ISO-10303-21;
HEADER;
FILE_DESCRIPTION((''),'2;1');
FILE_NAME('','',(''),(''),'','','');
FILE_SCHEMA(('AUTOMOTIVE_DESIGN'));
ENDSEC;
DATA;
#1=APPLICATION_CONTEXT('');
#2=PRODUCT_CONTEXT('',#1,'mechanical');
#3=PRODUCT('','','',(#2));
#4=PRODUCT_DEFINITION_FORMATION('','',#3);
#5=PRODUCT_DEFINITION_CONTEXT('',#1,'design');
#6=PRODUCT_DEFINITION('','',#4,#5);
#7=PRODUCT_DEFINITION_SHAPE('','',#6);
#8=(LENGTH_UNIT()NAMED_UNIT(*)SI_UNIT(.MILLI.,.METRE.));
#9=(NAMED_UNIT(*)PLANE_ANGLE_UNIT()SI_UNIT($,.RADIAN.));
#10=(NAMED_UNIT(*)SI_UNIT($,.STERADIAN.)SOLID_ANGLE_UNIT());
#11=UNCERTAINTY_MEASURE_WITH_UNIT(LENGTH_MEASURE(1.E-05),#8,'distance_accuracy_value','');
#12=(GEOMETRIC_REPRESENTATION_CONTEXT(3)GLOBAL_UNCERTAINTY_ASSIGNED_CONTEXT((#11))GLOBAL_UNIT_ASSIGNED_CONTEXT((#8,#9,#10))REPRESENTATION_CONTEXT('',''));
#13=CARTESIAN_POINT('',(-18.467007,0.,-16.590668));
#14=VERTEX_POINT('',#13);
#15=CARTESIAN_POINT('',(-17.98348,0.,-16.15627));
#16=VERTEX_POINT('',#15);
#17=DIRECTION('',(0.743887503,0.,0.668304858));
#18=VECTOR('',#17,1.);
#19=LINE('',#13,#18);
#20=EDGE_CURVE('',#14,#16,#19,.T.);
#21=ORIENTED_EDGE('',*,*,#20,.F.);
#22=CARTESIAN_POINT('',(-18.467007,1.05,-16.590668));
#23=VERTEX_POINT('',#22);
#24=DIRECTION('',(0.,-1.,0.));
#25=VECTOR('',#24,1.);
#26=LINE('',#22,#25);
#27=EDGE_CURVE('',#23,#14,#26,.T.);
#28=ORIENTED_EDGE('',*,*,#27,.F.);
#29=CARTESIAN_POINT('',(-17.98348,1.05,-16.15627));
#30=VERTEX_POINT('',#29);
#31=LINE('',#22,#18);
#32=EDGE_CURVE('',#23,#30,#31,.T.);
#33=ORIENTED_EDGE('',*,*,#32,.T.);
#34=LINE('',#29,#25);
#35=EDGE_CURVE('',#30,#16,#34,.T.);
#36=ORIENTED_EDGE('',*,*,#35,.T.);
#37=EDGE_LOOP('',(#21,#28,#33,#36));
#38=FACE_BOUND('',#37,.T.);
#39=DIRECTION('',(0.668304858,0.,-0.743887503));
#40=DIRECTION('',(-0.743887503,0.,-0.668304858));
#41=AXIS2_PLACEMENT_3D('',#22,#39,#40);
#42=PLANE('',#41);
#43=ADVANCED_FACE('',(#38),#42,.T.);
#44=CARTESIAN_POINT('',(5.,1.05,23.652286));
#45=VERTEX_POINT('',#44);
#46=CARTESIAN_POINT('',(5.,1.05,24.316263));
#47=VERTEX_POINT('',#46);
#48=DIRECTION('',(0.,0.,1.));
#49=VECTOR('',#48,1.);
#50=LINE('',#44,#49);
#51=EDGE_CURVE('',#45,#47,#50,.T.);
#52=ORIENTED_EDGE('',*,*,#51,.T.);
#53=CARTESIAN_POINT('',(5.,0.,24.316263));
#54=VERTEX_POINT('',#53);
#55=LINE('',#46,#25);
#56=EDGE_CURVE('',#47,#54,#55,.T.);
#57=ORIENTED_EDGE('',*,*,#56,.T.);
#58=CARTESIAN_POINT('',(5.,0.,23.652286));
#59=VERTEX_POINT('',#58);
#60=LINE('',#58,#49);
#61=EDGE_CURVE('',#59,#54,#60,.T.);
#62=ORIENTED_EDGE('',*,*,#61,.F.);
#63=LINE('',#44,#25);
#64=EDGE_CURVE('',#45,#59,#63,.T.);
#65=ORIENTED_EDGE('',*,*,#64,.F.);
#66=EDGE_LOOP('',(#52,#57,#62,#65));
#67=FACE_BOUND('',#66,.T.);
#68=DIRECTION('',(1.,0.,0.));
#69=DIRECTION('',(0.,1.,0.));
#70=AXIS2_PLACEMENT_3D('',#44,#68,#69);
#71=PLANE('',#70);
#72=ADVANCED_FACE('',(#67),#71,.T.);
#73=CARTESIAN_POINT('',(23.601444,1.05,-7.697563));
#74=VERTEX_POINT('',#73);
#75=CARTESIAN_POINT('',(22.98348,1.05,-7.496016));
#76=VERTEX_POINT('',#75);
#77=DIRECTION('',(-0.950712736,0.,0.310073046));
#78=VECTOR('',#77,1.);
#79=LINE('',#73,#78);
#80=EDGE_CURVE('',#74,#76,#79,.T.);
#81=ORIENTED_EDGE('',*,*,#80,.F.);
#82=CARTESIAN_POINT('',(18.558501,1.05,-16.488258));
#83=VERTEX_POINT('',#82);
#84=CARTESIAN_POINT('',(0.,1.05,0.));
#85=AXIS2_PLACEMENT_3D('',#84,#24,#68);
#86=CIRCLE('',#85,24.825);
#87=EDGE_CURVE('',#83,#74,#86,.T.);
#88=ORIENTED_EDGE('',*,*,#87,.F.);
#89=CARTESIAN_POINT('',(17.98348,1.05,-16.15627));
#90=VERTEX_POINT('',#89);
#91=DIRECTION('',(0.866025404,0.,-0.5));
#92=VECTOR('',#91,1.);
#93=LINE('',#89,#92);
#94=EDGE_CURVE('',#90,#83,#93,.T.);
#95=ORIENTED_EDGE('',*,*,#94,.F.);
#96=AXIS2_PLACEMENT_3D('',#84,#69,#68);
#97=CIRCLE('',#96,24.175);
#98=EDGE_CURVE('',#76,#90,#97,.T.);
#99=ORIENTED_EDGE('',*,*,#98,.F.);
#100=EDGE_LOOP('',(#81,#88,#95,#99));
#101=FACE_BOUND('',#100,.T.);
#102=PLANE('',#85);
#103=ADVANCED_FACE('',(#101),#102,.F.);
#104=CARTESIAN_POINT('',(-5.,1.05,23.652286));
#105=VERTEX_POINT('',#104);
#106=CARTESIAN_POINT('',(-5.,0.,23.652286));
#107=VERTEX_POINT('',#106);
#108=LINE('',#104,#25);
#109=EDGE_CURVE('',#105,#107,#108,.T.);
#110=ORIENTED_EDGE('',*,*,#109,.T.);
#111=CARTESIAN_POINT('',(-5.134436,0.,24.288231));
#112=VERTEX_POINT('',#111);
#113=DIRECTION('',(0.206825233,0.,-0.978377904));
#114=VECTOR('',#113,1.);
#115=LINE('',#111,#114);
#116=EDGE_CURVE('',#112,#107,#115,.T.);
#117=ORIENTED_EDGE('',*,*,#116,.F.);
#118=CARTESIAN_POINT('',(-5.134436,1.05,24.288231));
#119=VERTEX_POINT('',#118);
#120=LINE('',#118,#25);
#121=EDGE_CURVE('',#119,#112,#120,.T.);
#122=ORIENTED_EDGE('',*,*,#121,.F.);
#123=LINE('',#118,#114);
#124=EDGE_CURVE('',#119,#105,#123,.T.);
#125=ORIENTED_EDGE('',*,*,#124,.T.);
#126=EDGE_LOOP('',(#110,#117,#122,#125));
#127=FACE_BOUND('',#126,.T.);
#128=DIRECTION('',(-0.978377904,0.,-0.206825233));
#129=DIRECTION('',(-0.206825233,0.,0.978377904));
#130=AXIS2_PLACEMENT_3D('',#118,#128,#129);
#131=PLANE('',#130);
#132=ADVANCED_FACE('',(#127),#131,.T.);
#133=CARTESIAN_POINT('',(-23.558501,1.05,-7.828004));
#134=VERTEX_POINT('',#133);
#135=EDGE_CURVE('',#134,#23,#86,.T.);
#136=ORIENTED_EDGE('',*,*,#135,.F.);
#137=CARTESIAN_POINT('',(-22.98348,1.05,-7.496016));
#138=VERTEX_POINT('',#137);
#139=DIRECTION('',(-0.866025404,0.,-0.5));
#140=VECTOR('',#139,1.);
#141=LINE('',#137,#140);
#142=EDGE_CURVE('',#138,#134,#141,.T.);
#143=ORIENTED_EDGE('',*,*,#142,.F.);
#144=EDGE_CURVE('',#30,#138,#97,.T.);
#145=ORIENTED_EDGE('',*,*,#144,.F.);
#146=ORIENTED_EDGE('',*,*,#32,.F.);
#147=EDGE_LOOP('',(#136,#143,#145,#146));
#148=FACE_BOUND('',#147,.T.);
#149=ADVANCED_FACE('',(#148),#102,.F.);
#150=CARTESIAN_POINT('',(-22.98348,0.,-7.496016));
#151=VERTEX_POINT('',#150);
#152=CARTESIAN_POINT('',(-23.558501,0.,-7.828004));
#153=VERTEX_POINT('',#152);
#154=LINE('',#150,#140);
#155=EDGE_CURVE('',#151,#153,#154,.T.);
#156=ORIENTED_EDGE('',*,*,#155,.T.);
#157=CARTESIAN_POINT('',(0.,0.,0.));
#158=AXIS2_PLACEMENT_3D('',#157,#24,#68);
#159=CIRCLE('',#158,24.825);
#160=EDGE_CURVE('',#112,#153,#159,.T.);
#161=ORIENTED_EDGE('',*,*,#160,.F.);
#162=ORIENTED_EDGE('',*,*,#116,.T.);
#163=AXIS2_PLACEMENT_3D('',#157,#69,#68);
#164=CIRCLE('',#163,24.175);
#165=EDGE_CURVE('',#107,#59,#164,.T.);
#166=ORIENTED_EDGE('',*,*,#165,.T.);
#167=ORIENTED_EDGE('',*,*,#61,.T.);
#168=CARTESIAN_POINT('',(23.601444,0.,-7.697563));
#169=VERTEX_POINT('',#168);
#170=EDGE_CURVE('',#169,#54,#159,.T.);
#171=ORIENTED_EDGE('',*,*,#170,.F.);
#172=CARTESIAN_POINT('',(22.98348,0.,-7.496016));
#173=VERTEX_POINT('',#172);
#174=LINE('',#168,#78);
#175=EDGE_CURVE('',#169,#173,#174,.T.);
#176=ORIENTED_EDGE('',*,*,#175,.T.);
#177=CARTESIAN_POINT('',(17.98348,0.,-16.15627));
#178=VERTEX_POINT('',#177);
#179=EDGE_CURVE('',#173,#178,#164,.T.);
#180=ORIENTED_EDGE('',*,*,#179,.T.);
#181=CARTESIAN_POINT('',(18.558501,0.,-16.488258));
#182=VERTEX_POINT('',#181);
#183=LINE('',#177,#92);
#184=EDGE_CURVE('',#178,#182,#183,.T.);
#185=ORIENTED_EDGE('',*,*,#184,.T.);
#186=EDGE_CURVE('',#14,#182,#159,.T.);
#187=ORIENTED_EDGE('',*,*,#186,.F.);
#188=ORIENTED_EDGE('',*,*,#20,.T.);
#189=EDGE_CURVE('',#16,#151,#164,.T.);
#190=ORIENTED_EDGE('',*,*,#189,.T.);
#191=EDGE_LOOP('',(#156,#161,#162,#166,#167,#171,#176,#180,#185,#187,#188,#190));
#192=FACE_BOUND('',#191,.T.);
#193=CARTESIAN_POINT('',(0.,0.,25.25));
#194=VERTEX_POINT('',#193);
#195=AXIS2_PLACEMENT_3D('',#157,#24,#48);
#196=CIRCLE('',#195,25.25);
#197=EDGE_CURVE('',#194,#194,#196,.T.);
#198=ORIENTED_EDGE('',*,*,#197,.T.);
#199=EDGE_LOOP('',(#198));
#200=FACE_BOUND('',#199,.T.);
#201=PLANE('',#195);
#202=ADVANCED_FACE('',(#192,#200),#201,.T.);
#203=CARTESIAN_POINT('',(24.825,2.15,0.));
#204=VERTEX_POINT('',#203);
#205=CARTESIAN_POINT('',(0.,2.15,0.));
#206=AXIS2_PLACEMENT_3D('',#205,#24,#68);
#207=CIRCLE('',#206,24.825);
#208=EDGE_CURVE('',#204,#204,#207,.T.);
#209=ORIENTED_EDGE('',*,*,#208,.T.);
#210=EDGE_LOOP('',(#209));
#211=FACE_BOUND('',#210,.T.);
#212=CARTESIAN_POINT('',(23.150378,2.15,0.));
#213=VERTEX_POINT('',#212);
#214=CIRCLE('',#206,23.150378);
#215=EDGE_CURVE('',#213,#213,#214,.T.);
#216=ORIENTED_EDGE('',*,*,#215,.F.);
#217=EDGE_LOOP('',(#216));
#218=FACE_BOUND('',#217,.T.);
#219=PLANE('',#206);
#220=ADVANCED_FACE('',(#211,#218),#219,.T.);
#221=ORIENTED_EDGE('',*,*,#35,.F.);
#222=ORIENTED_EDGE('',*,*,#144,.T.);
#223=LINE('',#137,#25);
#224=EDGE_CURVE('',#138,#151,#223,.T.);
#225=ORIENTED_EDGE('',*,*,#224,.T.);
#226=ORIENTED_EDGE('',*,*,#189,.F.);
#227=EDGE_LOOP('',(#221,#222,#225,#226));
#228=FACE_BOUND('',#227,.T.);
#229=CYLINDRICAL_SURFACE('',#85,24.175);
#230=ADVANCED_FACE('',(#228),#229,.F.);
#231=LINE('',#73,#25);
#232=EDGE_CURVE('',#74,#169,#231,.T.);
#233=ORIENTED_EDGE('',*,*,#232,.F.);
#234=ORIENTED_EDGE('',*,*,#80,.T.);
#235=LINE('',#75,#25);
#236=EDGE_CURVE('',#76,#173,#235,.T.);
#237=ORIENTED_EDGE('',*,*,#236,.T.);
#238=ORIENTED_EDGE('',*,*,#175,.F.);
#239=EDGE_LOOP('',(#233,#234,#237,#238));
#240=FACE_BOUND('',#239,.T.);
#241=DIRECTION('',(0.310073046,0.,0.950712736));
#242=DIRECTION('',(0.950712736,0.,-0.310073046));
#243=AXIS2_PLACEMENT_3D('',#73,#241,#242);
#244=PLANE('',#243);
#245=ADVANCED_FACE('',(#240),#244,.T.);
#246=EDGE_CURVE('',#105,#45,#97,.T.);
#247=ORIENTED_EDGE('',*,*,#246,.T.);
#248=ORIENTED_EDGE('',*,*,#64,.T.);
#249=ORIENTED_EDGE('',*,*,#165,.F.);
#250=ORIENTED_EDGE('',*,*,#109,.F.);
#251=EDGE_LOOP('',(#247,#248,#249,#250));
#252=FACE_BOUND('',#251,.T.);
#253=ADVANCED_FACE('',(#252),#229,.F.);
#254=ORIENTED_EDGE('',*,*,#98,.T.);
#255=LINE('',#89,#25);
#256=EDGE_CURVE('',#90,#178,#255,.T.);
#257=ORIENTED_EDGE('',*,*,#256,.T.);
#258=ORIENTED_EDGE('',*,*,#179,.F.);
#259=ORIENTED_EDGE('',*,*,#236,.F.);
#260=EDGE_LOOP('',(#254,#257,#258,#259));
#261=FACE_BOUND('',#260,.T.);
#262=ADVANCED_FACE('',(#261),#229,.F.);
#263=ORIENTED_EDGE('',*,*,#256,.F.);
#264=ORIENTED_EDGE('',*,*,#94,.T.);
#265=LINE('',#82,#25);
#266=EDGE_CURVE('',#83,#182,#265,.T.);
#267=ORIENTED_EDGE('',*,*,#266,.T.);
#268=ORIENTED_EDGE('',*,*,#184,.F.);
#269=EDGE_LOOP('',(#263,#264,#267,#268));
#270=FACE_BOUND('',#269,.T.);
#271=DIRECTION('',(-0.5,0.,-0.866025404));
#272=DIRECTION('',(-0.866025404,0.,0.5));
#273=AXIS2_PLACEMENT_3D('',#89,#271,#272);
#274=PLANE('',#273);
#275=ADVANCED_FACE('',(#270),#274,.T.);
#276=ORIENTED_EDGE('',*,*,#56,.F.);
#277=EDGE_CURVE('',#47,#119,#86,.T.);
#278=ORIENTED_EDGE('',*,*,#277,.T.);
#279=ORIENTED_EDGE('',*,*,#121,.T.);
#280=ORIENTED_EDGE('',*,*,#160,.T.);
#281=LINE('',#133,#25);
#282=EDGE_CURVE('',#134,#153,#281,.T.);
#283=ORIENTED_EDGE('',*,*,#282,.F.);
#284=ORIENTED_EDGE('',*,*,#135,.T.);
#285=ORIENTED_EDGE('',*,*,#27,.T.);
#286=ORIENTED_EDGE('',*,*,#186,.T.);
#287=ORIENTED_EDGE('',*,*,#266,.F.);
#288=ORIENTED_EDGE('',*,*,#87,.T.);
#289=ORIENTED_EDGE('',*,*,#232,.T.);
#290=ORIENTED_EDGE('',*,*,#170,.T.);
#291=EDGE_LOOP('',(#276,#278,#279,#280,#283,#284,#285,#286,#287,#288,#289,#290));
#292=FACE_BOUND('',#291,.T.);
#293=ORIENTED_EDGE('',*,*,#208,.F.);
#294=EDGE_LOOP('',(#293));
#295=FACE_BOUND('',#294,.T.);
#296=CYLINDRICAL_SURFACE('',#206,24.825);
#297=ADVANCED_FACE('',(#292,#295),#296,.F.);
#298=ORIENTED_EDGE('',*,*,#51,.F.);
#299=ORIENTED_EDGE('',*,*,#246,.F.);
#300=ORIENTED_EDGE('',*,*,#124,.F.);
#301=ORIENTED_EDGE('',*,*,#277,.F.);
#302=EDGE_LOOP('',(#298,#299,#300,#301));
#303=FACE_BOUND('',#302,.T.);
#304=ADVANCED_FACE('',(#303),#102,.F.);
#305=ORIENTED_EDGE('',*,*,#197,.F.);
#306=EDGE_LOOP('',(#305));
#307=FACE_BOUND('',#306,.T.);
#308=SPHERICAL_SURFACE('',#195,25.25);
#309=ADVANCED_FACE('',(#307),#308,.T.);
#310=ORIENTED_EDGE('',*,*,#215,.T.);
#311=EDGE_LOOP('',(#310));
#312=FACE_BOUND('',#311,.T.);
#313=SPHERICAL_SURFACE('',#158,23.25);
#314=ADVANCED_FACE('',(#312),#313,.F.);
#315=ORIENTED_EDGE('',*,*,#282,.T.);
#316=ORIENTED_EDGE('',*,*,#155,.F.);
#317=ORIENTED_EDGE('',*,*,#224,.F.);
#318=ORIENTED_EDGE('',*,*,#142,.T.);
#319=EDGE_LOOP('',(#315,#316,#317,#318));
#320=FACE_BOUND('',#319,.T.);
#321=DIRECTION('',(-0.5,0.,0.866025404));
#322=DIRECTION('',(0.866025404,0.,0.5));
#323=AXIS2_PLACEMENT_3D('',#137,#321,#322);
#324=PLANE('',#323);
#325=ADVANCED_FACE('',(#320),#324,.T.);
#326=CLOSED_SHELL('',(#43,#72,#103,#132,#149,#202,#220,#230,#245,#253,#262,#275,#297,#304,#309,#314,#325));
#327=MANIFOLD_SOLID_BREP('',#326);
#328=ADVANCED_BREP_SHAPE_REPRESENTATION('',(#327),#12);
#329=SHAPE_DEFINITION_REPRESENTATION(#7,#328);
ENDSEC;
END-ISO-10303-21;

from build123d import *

# Parameters (mm, degrees)
REVOLVE1_ANGLE      = 180
SKETCH2_R           = 24.825
SKETCH2_R_2         = 23
CUT_EXTRUDE1_DEPTH  = 2.15
BOSS_EXTRUDE1_DEPTH = 1.05


with BuildPart() as part:
    # Sketch1 → Revolve1 (revolve)
    with BuildSketch(Plane(origin=(0, 0, 0), x_dir=(1, 0, 0), z_dir=(0, 1, 0))):
        with BuildLine():
            Line((0, 25.25), (0, 23.25))
            ThreePointArc((0, 23.25), (23.25, 0), (0, -23.25))
            Line((0, -23.25), (0, -25.25))
            ThreePointArc((0, -25.25), (25.25, 0), (0, 25.25))
        make_face()
    revolve(axis=Axis((0, 0, 23.25), (0, 0, 1)), revolution_arc=REVOLVE1_ANGLE)

    # Sketch2 → Cut-Extrude1 (cut)
    with BuildSketch(Plane.XZ):
        Circle(SKETCH2_R)
        Circle(SKETCH2_R_2, mode=Mode.SUBTRACT)
    extrude(amount=-CUT_EXTRUDE1_DEPTH, mode=Mode.SUBTRACT)

    # Sketch3 → Boss-Extrude1 (add)
    with BuildSketch(Plane.XZ):
        with BuildLine():
            Line((-5.134436401, 24.288231468), (-5, 23.65228583))
            ThreePointArc((-5, 23.65228583), (0, 24.175), (5, 23.65228583))
            Line((5, 23.65228583), (5, 24.316262562))
            ThreePointArc((5, 24.316262562), (-0.068663834, 24.824905041), (-5.134436401, 24.288231468))
        make_face()
        with BuildLine():
            Line((23.601443665, -7.697563376), (22.983480387, -7.496015896))
            ThreePointArc((22.983480387, -7.496015896), (20.936164136, -12.0875), (17.983480387, -16.156269934))
            Line((17.983480387, -16.156269934), (18.558501104, -16.4882583))
            ThreePointArc((18.558501104, -16.4882583), (21.533330329, -12.352987896), (23.601443665, -7.697563376))
        make_face()
        with BuildLine():
            Line((-18.467007264, -16.590668092), (-17.983480387, -16.156269934))
            ThreePointArc((-17.983480387, -16.156269934), (-20.936164136, -12.0875), (-22.983480387, -7.496015896))
            Line((-22.983480387, -7.496015896), (-23.558501104, -7.828004262))
            ThreePointArc((-23.558501104, -7.828004262), (-21.464666495, -12.471917145), (-18.467007264, -16.590668092))
        make_face()
    extrude(amount=-BOSS_EXTRUDE1_DEPTH)


solid = part.part
